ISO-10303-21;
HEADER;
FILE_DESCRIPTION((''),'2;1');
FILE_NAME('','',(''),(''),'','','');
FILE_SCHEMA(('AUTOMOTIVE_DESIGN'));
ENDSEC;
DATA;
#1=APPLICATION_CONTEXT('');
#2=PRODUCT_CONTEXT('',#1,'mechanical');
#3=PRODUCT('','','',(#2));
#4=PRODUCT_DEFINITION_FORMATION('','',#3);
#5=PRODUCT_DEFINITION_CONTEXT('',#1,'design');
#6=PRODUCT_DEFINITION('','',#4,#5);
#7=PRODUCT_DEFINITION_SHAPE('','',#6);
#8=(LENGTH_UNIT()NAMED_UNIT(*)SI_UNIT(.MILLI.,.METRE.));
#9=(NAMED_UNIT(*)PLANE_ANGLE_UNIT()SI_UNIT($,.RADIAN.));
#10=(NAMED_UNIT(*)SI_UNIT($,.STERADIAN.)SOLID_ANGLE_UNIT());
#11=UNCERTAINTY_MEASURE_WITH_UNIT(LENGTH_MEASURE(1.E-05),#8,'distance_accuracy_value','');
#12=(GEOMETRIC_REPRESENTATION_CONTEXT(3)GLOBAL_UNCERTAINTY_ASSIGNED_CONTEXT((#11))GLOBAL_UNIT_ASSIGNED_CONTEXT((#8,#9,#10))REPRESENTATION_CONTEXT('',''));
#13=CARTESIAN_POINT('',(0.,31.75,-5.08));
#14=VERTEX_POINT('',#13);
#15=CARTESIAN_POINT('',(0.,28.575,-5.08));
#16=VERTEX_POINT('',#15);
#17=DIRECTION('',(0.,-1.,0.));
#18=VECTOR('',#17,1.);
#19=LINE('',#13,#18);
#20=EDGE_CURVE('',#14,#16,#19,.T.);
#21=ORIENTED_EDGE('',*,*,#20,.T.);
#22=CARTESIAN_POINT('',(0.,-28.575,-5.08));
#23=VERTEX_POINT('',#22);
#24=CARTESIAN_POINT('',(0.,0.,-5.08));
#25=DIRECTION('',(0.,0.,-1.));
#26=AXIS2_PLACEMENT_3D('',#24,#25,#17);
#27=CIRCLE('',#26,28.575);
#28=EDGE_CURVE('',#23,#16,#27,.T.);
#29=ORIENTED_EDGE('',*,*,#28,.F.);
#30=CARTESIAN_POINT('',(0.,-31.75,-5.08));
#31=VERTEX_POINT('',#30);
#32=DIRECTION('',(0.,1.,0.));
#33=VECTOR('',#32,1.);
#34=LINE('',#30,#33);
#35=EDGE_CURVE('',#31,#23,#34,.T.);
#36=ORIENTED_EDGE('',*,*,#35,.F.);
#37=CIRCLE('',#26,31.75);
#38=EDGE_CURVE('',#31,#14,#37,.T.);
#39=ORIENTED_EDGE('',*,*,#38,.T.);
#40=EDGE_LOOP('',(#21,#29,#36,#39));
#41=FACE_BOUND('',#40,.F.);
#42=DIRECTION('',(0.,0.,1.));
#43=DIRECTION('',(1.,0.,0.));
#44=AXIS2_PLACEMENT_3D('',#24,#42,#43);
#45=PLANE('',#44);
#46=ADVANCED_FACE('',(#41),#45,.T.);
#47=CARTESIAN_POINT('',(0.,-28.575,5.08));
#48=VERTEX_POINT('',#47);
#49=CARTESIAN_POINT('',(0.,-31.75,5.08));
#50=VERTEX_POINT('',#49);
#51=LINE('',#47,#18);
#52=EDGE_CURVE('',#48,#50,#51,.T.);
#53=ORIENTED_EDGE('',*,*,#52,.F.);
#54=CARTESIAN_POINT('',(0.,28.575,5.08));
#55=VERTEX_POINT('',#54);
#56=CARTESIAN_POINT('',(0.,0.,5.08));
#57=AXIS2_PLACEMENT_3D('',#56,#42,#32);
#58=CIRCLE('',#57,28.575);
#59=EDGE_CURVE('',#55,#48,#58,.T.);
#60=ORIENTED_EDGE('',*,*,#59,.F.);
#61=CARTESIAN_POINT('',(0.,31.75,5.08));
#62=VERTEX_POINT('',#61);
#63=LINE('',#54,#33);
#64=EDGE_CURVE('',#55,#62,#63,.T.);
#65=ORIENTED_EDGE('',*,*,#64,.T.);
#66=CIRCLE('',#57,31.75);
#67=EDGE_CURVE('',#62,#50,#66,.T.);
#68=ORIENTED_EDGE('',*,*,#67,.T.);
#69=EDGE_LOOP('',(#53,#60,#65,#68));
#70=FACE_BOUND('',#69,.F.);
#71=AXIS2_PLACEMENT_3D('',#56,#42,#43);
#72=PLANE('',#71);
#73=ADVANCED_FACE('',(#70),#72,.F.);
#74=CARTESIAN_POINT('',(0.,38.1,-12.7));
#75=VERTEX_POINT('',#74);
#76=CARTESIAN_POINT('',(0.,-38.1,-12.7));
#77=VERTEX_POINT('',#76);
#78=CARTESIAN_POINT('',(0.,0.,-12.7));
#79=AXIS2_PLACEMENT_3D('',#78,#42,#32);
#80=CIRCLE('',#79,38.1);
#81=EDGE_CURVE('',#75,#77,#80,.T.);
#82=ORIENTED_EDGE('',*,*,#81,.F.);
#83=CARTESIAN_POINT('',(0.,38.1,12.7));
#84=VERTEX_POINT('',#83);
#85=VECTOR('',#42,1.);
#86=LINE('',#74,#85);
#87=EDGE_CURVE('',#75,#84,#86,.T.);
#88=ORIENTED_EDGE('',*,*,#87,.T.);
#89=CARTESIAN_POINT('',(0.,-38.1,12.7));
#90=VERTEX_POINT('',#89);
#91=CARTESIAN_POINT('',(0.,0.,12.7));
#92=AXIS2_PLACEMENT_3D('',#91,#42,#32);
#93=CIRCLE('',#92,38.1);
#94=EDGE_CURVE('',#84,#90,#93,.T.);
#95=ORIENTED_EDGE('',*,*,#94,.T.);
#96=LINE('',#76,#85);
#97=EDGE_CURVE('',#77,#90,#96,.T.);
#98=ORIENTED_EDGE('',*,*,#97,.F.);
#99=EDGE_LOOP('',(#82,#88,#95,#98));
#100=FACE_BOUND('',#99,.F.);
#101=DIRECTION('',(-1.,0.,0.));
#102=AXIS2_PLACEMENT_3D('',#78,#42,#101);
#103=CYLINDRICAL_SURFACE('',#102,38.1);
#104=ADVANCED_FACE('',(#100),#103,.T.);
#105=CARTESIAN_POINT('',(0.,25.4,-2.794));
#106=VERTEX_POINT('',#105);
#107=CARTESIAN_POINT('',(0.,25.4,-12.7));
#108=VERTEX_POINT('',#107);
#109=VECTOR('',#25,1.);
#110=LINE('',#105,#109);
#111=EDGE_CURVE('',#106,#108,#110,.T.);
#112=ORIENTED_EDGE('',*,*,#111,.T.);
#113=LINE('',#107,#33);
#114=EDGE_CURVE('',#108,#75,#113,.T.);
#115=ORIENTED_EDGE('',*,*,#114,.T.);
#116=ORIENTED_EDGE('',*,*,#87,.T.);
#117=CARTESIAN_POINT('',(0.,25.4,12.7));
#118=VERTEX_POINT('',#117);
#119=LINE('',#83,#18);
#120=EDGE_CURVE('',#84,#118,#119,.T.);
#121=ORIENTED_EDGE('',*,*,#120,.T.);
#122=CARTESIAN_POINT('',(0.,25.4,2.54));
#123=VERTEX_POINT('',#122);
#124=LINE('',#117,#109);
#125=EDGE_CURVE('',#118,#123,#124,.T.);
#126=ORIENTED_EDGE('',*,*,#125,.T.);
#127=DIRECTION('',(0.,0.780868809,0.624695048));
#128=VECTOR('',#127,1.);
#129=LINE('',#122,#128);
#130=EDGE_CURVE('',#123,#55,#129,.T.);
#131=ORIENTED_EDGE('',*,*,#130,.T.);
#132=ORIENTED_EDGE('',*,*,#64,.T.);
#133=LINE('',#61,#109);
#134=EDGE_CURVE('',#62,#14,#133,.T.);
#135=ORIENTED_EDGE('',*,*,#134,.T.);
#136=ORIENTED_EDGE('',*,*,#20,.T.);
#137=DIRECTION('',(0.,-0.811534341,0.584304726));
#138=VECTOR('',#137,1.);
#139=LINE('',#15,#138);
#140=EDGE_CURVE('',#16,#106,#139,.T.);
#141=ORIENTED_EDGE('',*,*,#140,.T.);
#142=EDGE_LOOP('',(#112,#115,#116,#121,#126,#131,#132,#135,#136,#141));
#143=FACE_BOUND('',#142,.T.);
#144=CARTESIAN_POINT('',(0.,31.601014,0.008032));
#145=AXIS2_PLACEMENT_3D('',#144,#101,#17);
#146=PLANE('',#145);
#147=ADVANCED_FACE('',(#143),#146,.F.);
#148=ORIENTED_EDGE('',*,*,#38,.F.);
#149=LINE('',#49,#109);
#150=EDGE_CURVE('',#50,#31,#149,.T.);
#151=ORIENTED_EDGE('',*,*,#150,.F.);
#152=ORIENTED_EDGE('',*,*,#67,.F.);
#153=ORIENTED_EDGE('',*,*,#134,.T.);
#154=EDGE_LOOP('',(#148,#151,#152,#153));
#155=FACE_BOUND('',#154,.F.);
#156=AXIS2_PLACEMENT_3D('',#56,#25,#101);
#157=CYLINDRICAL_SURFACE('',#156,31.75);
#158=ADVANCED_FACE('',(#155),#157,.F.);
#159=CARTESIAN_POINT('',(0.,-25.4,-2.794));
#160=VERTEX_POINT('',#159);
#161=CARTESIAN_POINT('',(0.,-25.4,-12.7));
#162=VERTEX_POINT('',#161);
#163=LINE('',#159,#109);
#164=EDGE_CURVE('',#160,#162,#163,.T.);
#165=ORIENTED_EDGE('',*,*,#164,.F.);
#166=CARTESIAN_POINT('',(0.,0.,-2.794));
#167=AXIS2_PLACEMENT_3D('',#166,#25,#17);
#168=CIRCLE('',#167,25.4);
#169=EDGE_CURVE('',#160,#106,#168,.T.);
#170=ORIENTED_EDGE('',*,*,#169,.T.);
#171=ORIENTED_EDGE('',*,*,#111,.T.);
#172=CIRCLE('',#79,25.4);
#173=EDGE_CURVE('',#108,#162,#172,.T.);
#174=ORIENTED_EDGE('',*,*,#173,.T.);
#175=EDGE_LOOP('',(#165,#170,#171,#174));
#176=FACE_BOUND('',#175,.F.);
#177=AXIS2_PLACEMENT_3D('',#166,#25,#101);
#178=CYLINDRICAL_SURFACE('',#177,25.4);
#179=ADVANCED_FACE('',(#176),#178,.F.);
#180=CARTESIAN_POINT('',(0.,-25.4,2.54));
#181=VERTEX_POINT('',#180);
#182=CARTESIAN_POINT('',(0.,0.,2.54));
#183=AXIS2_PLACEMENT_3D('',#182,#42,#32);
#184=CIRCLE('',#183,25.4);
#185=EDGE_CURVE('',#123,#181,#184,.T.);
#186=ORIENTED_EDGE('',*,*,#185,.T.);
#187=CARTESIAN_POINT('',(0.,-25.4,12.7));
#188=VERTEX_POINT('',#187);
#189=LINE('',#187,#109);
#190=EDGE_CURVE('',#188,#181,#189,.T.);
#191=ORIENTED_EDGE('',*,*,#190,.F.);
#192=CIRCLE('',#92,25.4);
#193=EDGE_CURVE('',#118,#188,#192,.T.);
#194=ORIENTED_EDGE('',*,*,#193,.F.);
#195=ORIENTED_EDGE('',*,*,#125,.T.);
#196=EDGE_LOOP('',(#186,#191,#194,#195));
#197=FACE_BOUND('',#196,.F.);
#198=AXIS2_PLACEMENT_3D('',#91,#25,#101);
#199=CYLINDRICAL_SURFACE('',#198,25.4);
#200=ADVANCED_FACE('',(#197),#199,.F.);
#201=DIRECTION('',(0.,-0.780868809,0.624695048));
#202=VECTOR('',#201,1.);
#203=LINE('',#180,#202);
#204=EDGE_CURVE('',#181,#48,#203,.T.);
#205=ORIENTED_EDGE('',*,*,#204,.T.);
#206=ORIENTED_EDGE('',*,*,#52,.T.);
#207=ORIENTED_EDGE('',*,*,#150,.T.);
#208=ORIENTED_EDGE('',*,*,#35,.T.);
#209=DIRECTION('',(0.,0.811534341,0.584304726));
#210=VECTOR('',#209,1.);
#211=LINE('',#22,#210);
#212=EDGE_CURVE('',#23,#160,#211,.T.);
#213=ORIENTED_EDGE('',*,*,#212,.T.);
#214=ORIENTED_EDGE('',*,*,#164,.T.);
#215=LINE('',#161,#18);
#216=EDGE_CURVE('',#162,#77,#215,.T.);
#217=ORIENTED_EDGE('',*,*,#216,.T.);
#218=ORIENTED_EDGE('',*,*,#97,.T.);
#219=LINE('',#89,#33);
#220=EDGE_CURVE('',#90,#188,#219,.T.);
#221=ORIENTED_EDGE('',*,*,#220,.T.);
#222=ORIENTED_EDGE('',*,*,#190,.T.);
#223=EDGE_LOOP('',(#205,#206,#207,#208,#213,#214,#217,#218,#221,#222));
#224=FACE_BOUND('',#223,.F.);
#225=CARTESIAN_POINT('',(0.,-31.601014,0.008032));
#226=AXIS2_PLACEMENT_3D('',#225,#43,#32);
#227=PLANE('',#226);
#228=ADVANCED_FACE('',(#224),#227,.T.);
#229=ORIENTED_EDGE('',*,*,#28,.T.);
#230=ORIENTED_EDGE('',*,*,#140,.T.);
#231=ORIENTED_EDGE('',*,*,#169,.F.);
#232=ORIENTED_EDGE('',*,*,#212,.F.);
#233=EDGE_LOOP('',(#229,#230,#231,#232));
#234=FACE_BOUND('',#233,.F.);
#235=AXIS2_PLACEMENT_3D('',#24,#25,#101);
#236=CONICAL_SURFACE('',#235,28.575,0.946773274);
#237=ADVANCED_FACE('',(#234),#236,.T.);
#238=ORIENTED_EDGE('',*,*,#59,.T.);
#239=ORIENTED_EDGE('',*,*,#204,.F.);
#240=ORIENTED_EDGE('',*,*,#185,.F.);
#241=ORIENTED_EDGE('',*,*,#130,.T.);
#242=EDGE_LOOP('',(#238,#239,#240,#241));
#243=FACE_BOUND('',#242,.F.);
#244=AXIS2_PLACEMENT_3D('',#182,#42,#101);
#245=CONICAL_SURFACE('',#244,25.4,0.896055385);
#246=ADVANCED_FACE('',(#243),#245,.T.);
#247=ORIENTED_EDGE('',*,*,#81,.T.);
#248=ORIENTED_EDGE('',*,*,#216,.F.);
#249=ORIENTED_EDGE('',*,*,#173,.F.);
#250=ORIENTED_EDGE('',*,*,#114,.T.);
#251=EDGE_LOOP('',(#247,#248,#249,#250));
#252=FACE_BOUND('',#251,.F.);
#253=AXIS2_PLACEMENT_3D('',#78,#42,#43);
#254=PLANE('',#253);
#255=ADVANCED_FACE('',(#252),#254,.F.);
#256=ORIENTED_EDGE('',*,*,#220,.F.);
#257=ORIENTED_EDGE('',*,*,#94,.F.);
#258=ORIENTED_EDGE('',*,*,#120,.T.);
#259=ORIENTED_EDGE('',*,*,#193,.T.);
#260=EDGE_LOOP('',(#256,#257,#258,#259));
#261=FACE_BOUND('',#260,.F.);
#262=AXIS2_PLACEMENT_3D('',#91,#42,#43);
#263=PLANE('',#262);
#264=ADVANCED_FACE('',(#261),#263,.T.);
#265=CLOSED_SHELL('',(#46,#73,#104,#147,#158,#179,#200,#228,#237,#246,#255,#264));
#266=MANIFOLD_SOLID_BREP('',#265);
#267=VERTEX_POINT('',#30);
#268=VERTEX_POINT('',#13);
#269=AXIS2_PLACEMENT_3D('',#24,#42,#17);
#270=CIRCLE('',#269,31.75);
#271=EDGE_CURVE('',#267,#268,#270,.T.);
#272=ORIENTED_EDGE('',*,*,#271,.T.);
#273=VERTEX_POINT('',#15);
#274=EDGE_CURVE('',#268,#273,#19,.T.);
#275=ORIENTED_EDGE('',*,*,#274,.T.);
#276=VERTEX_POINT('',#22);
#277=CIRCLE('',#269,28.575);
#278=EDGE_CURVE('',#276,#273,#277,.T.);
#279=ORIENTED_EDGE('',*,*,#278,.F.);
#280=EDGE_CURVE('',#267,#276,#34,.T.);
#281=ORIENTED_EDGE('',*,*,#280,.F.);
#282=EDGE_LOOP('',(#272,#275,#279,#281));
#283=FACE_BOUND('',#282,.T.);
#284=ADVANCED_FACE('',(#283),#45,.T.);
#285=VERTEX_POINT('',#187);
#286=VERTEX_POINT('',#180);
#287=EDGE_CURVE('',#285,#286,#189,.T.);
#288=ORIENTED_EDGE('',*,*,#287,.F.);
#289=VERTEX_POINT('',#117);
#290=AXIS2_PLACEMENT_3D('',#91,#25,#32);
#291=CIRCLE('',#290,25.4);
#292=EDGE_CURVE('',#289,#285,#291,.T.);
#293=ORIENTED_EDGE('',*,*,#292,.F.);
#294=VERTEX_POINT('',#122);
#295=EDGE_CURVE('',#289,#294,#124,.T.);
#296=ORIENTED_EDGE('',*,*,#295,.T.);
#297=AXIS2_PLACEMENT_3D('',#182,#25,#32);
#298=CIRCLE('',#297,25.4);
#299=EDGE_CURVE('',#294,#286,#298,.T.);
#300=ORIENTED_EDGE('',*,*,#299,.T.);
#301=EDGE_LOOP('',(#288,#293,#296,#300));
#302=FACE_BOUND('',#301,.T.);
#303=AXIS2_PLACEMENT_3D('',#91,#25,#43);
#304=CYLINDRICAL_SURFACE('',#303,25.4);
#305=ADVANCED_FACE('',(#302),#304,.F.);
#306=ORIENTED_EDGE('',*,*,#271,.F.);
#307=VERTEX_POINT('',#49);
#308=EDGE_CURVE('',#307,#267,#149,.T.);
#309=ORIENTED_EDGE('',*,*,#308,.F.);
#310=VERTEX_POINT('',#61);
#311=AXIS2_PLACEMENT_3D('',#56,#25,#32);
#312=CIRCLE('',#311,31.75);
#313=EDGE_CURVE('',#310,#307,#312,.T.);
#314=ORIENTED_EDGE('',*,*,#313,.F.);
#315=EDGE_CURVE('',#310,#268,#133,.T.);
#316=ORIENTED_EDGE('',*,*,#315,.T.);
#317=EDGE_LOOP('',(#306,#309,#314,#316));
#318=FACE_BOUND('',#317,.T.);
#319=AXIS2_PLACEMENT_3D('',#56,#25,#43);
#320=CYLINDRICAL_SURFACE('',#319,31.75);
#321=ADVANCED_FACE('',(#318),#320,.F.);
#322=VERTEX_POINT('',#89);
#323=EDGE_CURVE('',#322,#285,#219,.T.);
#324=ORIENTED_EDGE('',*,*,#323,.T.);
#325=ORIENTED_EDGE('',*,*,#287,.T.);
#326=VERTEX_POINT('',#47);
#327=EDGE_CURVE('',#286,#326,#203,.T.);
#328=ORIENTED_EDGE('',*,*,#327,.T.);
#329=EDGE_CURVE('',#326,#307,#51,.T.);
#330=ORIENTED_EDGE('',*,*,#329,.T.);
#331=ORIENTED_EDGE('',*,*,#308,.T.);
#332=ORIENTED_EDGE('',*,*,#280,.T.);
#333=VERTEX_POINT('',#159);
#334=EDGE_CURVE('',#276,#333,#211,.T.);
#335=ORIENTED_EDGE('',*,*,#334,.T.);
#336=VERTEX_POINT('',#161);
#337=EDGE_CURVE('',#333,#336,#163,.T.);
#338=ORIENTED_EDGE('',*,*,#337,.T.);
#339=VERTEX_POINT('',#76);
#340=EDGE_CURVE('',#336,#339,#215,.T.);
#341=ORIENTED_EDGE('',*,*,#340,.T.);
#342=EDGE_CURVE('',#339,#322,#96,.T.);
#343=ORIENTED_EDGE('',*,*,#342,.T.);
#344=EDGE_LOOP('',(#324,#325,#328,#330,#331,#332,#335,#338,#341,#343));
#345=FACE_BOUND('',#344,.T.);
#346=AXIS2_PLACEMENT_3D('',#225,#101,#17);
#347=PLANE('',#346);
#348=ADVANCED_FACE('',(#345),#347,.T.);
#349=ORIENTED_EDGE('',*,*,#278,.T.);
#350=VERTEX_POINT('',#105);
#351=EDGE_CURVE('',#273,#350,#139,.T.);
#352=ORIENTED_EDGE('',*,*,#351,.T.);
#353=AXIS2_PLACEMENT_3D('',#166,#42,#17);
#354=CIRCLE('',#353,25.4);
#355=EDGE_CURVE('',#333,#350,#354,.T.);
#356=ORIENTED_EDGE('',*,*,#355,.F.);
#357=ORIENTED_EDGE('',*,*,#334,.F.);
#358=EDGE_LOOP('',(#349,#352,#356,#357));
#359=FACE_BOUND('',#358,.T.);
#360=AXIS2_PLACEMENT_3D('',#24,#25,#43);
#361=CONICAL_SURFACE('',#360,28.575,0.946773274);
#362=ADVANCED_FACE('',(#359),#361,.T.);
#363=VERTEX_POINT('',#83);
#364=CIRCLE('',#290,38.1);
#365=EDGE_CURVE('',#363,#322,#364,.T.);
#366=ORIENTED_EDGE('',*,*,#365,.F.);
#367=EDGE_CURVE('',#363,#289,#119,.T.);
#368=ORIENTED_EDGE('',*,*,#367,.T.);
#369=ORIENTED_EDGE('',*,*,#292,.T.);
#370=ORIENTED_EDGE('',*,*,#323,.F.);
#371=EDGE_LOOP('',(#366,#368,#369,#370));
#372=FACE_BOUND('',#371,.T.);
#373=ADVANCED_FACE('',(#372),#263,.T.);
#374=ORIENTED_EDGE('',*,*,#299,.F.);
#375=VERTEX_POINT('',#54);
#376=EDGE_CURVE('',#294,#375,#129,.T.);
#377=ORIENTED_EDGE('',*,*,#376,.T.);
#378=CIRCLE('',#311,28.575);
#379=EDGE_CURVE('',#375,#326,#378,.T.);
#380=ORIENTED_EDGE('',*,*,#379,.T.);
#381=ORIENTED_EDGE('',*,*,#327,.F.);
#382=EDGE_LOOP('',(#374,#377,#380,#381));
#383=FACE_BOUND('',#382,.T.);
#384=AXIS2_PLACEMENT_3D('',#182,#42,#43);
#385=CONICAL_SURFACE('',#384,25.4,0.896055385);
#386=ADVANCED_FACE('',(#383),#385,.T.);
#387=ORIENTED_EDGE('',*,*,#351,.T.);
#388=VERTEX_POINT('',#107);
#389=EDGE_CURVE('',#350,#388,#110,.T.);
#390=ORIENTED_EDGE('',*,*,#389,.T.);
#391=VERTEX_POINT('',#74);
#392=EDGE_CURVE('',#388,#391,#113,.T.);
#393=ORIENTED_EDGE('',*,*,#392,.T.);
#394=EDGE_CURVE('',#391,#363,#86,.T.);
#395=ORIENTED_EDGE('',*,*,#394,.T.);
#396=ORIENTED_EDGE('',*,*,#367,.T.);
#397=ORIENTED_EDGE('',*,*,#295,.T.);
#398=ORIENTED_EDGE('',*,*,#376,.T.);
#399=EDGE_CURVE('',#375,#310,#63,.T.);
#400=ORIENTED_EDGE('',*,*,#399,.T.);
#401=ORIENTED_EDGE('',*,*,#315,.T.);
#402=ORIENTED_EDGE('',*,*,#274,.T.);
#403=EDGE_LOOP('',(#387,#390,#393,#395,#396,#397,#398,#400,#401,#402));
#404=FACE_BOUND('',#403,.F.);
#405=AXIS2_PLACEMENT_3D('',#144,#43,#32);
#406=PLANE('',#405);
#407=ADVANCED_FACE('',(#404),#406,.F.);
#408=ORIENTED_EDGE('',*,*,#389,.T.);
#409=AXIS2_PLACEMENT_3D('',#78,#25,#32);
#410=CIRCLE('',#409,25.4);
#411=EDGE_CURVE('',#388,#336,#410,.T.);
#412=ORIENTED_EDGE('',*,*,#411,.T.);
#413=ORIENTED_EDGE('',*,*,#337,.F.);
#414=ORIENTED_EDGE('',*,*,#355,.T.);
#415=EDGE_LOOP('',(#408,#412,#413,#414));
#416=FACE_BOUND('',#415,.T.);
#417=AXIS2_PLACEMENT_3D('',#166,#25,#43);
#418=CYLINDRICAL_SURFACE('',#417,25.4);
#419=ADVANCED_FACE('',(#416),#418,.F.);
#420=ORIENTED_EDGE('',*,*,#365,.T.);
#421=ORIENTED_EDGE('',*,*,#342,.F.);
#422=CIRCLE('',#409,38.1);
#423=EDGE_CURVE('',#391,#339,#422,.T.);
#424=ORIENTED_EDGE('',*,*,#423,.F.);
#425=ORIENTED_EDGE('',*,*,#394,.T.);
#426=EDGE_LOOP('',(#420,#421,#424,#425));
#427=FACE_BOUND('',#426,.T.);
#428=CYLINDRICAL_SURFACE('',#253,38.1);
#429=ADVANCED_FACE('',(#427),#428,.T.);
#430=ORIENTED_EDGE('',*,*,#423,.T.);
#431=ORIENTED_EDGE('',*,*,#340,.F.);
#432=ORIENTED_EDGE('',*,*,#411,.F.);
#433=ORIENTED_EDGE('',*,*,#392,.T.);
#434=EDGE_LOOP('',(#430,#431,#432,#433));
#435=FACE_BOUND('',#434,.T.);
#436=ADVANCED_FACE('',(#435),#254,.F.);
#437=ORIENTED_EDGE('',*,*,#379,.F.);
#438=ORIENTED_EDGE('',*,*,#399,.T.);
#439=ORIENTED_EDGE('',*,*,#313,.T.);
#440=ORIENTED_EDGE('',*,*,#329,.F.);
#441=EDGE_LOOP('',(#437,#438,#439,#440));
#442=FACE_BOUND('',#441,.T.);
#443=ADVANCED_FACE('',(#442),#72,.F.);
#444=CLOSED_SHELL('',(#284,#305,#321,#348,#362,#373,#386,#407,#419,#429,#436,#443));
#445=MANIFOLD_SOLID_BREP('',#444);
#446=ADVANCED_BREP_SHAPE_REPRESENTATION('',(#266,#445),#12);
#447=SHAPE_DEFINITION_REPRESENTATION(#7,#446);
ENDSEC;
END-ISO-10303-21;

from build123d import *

# Parameters (mm, degrees)
F1_ANGLE = 180


with BuildPart() as f1:
    # F0 (on Front) → F1 (revolve, symmetric)
    with BuildSketch(Plane.XZ) as f1_sk:
        Polygon((25.4, -2.794), (25.4, -12.7), (38.1, -12.7), (38.1, 12.7), (25.4, 12.7), (25.4, 2.54), (28.575, 5.08), (31.75, 5.08), (31.75, -5.08), (28.575, -5.08), align=None)
    revolve(axis=Axis((0, 0, 0.881031), (0, 0, -1)), revolution_arc=F1_ANGLE / 2)
    revolve(f1_sk.sketch, axis=Axis((0, 0, 0.881031), (0, 0, 1)), revolution_arc=F1_ANGLE / 2)


with BuildPart() as f2_1:
    # F2: instance of F1
    add(f1.part.mirror(Plane.YZ))


solid = Compound([f1.part, f2_1.part])
